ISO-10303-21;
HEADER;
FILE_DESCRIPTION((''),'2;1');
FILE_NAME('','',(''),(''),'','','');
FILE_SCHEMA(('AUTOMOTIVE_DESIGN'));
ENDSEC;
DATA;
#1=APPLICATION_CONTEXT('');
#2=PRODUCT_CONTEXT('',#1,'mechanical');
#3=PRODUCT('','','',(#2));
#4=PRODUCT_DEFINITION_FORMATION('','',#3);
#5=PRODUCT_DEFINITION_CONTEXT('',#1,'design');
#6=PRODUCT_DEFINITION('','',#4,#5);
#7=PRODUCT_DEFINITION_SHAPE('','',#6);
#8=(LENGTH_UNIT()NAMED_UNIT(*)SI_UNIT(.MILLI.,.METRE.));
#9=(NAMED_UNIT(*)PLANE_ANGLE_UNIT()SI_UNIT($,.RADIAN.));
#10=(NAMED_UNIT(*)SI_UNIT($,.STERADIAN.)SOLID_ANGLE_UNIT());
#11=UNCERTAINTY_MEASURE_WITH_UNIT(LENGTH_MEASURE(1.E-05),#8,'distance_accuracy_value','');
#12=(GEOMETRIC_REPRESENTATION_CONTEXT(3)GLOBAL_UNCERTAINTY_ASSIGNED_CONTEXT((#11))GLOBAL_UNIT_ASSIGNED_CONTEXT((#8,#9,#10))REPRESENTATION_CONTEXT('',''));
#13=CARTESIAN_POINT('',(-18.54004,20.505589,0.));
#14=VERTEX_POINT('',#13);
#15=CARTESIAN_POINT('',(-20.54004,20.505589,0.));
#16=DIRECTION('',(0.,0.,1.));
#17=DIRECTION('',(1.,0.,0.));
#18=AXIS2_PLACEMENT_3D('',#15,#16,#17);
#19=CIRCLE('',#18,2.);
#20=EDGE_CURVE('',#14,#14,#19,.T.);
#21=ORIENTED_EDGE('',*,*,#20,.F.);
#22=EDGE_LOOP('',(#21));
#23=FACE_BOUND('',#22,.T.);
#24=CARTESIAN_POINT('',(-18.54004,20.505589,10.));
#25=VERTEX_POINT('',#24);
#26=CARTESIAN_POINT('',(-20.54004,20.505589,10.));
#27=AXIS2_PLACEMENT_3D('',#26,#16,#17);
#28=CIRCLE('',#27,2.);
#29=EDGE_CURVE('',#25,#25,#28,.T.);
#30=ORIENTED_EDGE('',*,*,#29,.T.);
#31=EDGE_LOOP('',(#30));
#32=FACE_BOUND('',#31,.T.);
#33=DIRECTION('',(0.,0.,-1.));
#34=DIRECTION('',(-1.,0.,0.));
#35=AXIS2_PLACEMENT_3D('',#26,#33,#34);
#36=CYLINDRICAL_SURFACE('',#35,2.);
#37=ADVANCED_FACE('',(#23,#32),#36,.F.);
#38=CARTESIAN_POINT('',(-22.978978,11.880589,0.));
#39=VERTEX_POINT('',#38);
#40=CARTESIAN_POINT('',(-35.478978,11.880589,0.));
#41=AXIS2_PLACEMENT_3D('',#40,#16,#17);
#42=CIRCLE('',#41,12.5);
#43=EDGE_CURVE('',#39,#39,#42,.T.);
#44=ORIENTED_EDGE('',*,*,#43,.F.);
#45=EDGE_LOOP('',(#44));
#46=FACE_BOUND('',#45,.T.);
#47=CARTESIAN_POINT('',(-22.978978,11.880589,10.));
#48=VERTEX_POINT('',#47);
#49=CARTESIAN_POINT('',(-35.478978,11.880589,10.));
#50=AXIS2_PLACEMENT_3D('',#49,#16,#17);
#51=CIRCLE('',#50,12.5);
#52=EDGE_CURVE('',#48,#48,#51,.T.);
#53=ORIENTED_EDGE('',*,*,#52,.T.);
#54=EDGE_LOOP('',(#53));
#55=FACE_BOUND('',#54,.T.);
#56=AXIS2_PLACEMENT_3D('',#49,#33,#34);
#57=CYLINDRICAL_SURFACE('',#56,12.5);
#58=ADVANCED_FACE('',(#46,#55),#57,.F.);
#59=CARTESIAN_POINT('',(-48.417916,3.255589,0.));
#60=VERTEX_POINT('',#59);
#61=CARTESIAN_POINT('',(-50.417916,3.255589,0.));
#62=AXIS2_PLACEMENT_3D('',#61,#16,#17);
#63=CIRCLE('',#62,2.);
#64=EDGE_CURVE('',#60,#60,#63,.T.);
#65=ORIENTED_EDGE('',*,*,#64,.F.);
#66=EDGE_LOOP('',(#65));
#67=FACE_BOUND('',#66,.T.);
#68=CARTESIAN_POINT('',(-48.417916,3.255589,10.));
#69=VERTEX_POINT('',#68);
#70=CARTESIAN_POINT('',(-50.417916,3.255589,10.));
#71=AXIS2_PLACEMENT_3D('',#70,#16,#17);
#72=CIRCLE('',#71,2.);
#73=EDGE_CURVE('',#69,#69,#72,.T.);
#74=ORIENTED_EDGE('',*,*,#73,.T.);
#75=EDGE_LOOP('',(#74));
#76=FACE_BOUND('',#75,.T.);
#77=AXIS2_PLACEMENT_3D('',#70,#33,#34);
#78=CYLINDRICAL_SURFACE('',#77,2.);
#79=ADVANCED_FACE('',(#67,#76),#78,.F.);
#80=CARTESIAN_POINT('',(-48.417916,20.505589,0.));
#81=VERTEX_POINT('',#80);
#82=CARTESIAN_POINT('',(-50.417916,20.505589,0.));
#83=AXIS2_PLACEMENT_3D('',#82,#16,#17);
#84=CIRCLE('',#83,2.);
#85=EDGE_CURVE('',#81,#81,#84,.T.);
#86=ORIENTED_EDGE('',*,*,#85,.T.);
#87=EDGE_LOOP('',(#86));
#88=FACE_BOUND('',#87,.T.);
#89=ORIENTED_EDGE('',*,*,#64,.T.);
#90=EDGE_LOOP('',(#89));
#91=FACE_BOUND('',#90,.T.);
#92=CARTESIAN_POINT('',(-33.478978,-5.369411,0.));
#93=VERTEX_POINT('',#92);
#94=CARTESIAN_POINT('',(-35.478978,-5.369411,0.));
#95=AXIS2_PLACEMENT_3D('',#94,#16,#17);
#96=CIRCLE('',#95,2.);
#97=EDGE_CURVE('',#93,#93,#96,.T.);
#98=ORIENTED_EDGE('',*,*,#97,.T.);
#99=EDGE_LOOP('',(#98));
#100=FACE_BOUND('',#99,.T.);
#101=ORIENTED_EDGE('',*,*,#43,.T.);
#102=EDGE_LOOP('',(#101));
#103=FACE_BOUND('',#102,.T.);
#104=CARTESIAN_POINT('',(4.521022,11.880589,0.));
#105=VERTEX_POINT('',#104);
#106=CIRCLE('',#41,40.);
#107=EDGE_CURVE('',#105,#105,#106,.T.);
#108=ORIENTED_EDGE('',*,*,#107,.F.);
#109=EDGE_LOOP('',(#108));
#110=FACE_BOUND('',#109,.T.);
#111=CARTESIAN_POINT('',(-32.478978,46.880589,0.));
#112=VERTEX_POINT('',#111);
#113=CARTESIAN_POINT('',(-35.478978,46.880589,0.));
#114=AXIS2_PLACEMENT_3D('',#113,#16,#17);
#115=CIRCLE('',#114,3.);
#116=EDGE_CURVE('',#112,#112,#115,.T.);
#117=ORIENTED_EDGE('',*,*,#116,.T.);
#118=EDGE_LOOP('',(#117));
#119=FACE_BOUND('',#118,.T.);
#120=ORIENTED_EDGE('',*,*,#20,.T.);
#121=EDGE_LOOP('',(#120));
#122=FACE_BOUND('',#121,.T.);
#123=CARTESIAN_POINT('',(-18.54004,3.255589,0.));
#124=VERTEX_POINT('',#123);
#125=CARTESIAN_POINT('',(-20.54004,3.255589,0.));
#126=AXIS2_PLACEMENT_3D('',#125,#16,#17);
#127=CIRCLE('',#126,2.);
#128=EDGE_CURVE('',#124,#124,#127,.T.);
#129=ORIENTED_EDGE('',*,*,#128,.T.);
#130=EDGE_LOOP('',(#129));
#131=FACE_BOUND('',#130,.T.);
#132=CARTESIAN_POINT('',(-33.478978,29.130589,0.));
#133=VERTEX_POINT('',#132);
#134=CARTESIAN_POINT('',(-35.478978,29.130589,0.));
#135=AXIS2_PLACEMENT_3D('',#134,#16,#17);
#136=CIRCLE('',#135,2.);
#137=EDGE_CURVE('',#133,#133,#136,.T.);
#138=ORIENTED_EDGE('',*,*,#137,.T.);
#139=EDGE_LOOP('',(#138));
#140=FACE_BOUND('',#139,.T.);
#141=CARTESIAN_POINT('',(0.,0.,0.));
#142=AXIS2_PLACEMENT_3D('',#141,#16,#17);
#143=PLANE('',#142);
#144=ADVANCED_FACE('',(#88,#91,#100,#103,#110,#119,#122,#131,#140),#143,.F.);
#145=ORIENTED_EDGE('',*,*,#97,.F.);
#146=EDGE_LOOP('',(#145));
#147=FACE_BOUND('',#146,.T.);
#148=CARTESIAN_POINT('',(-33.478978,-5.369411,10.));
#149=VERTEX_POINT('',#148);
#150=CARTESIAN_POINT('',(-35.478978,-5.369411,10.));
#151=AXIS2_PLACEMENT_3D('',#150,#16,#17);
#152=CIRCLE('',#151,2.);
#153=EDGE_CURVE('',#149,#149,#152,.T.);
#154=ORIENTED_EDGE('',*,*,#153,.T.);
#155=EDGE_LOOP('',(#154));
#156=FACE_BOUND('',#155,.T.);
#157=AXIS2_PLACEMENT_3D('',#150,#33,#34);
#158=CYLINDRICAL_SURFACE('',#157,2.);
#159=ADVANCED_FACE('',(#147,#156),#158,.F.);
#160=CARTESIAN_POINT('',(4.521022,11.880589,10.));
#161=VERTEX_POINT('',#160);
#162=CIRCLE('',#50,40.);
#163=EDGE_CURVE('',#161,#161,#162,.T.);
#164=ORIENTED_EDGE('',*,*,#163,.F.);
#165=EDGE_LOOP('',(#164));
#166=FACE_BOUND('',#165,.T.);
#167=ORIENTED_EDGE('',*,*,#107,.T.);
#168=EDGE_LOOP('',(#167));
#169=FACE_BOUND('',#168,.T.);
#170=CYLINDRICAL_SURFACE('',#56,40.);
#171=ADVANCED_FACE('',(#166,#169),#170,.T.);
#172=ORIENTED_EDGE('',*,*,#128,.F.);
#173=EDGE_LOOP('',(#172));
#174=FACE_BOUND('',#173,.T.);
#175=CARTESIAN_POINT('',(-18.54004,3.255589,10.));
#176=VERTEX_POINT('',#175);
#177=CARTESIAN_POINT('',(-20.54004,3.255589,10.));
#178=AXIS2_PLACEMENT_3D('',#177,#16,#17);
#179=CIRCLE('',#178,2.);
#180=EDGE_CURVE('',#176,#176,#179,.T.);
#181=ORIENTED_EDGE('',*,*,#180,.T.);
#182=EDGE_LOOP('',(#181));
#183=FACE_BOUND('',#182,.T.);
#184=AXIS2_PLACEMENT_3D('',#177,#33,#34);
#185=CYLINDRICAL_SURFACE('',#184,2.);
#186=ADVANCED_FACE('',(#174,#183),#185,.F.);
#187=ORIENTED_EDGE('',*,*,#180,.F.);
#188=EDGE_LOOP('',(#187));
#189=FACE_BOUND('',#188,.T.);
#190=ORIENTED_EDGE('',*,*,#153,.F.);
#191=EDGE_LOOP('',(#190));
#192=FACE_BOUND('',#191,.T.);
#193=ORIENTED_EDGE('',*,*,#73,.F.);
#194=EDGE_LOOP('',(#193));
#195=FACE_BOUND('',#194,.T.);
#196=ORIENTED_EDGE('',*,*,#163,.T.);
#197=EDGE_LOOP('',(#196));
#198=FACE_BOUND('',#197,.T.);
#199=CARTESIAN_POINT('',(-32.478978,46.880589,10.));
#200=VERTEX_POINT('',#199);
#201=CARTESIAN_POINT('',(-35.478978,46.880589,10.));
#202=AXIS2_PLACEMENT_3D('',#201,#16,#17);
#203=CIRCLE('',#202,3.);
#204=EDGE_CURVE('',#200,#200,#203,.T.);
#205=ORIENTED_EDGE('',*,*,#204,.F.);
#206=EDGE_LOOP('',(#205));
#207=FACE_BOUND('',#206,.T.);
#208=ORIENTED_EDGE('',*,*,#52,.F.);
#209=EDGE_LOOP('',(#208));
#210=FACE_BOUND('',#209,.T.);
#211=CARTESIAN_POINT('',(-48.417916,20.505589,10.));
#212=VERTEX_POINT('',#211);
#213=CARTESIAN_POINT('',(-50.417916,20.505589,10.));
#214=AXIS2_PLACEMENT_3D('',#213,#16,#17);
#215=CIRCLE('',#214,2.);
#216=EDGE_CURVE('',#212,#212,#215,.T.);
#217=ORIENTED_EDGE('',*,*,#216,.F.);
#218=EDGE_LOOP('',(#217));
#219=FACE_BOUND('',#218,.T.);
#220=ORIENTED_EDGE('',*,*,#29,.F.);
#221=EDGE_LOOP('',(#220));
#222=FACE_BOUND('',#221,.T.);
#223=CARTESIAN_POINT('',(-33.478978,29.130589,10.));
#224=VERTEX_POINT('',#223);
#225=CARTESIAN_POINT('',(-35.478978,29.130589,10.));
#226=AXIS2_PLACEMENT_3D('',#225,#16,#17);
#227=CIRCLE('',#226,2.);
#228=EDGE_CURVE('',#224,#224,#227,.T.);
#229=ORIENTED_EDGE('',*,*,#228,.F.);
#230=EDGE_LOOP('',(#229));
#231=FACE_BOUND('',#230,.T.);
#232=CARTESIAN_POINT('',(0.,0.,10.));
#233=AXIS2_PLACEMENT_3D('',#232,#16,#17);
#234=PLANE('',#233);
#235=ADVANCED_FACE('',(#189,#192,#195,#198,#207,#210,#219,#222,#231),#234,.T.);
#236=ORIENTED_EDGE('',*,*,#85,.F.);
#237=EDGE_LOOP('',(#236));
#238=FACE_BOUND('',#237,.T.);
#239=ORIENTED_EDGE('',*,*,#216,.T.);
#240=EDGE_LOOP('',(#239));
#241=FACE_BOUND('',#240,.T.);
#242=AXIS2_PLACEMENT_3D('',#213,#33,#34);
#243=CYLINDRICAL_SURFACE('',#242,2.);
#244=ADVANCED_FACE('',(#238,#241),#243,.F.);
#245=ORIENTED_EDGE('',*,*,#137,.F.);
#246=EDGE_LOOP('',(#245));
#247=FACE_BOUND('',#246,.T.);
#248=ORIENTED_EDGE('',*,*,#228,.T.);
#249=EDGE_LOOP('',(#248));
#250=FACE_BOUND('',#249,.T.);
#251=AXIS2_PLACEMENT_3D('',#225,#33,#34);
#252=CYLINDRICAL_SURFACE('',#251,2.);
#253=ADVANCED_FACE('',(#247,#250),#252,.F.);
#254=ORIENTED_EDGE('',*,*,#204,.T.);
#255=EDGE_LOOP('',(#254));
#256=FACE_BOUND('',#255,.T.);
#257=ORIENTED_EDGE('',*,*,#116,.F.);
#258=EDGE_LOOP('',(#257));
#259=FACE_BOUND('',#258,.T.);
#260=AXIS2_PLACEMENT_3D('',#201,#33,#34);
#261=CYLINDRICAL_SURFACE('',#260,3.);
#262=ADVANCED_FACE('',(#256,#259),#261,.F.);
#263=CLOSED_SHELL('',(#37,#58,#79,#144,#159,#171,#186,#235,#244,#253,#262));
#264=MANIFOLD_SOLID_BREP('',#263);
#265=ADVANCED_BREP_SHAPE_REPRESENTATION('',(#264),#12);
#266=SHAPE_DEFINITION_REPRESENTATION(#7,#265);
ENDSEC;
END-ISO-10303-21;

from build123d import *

# Parameters (mm, degrees)
SKETCH_1_R      = 40
SKETCH_1_R_2    = 12.5
SKETCH_1_R_3    = 2
SKETCH_1_R_4    = 3
EXTRUDE_1_DEPTH = 10


with BuildPart() as part:
    # 草图1 → 凸台-拉伸1 (new body)
    with BuildSketch(Plane.XY):
        with Locations((-35.478977731, 11.880589307)):
            Circle(SKETCH_1_R)
        with Locations((-35.478977731, 11.880589307)):
            Circle(SKETCH_1_R_2, mode=Mode.SUBTRACT)
        with Locations((-35.478977731, 29.130589307)):
            Circle(SKETCH_1_R_3, mode=Mode.SUBTRACT)
        with Locations((-20.540039516, 20.505589307)):
            Circle(SKETCH_1_R_3, mode=Mode.SUBTRACT)
        with Locations((-20.540039516, 3.255589307)):
            Circle(SKETCH_1_R_3, mode=Mode.SUBTRACT)
        with Locations((-35.478977731, -5.369410693)):
            Circle(SKETCH_1_R_3, mode=Mode.SUBTRACT)
        with Locations((-50.417915947, 3.255589307)):
            Circle(SKETCH_1_R_3, mode=Mode.SUBTRACT)
        with Locations((-50.417915947, 20.505589307)):
            Circle(SKETCH_1_R_3, mode=Mode.SUBTRACT)
        with Locations((-35.478977731, 46.880589307)):
            Circle(SKETCH_1_R_4, mode=Mode.SUBTRACT)
    extrude(amount=EXTRUDE_1_DEPTH)


solid = part.part
